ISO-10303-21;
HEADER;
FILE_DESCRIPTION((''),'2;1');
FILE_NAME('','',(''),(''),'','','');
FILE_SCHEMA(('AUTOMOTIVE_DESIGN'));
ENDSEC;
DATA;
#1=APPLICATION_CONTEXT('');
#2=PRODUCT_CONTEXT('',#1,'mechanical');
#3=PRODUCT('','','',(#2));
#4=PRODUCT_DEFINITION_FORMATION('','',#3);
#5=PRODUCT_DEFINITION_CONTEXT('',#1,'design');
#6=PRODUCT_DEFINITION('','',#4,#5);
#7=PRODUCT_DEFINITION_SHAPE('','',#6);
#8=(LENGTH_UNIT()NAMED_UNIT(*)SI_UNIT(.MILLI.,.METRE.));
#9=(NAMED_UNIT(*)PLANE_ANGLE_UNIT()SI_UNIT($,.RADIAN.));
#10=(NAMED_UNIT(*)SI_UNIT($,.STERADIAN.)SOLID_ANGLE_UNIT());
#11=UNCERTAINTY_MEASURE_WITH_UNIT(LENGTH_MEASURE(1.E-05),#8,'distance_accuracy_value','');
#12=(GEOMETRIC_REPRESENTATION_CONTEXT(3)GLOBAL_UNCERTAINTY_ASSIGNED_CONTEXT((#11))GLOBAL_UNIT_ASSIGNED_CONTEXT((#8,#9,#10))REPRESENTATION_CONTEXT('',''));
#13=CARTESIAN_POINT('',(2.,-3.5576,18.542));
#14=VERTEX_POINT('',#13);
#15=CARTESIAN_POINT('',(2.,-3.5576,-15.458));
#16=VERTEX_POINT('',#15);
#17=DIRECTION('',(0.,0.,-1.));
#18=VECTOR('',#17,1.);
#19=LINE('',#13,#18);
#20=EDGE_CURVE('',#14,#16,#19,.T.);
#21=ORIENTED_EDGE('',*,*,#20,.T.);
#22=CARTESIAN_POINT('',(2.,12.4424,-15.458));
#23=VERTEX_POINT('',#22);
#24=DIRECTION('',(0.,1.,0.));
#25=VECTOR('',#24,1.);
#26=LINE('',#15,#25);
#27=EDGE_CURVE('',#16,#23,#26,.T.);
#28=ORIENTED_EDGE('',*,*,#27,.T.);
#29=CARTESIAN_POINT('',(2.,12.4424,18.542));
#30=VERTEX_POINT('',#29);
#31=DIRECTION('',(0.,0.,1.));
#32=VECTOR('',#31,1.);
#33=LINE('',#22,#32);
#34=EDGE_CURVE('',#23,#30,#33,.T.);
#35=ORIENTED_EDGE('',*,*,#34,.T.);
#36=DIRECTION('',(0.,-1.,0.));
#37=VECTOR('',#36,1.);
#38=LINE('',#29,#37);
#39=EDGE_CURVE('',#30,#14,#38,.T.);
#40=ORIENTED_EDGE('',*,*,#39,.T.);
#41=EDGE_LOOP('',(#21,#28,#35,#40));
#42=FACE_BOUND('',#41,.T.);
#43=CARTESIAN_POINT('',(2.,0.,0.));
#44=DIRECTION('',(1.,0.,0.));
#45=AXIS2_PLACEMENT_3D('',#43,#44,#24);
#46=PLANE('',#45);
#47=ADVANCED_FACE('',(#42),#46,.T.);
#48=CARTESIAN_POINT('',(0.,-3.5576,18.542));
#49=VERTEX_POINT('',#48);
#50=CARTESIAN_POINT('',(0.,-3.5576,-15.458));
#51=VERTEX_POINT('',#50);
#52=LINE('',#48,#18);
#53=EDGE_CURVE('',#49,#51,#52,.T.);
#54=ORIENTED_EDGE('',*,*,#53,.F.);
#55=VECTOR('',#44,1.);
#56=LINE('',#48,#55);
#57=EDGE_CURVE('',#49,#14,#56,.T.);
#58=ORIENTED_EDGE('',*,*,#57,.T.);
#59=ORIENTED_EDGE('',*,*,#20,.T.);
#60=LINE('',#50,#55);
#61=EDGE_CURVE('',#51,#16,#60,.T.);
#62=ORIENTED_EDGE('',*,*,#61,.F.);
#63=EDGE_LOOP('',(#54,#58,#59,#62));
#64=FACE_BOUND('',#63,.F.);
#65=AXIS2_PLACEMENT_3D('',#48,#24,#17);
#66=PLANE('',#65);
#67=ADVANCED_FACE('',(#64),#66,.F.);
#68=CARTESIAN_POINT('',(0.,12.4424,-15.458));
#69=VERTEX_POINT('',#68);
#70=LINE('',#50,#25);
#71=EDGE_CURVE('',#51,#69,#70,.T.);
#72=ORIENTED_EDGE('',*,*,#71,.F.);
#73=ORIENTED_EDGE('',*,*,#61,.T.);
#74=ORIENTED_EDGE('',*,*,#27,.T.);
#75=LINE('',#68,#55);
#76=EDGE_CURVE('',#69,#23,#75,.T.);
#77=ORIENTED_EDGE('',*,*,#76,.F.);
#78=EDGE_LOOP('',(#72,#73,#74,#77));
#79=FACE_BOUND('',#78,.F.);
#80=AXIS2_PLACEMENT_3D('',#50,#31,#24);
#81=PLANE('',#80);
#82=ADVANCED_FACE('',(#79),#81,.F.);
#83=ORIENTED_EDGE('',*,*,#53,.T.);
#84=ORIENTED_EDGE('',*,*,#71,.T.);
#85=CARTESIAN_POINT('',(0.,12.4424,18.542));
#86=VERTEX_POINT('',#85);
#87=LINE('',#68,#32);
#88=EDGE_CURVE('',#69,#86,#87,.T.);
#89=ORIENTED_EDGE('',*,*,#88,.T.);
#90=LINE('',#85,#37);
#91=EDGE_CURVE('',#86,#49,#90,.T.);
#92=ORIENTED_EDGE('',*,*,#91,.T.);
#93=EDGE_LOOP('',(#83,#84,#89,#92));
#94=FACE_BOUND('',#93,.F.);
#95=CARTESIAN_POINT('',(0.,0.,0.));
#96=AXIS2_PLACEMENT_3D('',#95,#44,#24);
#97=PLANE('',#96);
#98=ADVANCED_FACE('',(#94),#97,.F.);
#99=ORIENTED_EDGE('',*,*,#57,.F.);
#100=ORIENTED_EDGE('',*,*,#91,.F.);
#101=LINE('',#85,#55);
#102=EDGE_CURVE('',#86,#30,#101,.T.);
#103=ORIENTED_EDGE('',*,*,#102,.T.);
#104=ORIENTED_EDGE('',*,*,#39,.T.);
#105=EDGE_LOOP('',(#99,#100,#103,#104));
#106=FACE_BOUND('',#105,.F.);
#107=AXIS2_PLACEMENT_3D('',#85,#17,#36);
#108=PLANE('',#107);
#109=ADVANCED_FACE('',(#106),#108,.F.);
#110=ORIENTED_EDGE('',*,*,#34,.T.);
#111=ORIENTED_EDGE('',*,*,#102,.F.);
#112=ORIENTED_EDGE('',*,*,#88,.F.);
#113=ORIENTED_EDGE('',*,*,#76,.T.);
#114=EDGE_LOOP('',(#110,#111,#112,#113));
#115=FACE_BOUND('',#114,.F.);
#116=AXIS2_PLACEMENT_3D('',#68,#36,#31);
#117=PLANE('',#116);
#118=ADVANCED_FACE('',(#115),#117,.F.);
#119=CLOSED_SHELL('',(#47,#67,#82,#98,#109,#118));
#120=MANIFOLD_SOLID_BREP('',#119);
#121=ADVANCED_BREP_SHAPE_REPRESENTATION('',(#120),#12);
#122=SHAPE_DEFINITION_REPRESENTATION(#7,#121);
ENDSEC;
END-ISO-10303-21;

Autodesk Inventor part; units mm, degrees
ref_plane "YZ Plane" through (0, 0, 0) normal (1, 0, 0) x (0, 1, 0)
ref_plane "XZ Plane" through (0, 0, 0) normal (0, 1, 0) x (-1, 0, 0)
ref_plane "XY Plane" through (0, 0, 0) normal (0, 0, 1) x (1, 0, 0)
sketch "Sketch3" plane through (0, 0, 0) normal (1, 0, 0) x (0, 1, 0)
  line L0 (12.4424, 18.542) -> (-3.5576, 18.542)
  line L1 (-3.5576, 18.542) -> (-3.5576, -15.458)
  line L2 (-3.5576, -15.458) -> (12.4424, -15.458)
  line L3 (12.4424, -15.458) -> (12.4424, 18.542)
  point P0 (0, 0)
  dimension "d4" = 16
  dimension "d5" = 34
extrude "Extrusion2" add sketch "Sketch3" along normal blind 2
properties part number "Front-Wall"
